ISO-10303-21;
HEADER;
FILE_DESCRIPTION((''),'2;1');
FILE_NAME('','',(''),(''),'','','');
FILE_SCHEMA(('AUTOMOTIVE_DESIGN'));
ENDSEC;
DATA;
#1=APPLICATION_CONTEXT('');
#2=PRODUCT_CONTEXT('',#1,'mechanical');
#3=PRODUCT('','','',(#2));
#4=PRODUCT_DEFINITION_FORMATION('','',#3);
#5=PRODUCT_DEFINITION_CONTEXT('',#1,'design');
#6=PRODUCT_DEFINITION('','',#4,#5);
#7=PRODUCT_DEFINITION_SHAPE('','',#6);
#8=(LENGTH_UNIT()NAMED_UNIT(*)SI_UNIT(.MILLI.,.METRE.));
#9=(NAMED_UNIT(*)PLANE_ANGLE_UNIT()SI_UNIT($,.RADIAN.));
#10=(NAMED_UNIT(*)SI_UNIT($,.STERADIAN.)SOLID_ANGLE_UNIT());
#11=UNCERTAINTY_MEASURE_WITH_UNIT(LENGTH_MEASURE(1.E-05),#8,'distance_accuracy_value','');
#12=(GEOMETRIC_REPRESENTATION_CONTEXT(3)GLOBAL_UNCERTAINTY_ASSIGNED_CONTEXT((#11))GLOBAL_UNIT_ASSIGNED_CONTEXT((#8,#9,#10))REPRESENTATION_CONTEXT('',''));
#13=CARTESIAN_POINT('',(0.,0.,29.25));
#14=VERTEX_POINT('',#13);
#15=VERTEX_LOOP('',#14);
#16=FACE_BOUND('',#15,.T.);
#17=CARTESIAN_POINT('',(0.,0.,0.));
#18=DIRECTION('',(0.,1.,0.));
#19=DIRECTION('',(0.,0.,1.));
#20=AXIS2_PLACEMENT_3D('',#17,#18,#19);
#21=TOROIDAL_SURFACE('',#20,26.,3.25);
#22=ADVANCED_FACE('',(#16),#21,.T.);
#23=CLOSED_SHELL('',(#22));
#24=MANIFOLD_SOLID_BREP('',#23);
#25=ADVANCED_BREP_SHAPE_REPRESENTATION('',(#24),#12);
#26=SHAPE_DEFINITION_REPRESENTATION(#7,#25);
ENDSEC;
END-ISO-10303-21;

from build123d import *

# Parameters (mm, degrees)
SKETCH_1_R = 3.25


with BuildPart() as part:
    # 草图1 → 旋转1 (revolve)
    with BuildSketch(Plane.XY, mode=Mode.PRIVATE) as revolve_1_sk:
        with Locations((-26, 0)):
            Circle(SKETCH_1_R)
    revolve(revolve_1_sk.sketch.rotate(Axis((0, 16.879134857, 0), (0, -1, 0)), 270), axis=Axis((0, 16.879134857, 0), (0, -1, 0)))


solid = part.part
